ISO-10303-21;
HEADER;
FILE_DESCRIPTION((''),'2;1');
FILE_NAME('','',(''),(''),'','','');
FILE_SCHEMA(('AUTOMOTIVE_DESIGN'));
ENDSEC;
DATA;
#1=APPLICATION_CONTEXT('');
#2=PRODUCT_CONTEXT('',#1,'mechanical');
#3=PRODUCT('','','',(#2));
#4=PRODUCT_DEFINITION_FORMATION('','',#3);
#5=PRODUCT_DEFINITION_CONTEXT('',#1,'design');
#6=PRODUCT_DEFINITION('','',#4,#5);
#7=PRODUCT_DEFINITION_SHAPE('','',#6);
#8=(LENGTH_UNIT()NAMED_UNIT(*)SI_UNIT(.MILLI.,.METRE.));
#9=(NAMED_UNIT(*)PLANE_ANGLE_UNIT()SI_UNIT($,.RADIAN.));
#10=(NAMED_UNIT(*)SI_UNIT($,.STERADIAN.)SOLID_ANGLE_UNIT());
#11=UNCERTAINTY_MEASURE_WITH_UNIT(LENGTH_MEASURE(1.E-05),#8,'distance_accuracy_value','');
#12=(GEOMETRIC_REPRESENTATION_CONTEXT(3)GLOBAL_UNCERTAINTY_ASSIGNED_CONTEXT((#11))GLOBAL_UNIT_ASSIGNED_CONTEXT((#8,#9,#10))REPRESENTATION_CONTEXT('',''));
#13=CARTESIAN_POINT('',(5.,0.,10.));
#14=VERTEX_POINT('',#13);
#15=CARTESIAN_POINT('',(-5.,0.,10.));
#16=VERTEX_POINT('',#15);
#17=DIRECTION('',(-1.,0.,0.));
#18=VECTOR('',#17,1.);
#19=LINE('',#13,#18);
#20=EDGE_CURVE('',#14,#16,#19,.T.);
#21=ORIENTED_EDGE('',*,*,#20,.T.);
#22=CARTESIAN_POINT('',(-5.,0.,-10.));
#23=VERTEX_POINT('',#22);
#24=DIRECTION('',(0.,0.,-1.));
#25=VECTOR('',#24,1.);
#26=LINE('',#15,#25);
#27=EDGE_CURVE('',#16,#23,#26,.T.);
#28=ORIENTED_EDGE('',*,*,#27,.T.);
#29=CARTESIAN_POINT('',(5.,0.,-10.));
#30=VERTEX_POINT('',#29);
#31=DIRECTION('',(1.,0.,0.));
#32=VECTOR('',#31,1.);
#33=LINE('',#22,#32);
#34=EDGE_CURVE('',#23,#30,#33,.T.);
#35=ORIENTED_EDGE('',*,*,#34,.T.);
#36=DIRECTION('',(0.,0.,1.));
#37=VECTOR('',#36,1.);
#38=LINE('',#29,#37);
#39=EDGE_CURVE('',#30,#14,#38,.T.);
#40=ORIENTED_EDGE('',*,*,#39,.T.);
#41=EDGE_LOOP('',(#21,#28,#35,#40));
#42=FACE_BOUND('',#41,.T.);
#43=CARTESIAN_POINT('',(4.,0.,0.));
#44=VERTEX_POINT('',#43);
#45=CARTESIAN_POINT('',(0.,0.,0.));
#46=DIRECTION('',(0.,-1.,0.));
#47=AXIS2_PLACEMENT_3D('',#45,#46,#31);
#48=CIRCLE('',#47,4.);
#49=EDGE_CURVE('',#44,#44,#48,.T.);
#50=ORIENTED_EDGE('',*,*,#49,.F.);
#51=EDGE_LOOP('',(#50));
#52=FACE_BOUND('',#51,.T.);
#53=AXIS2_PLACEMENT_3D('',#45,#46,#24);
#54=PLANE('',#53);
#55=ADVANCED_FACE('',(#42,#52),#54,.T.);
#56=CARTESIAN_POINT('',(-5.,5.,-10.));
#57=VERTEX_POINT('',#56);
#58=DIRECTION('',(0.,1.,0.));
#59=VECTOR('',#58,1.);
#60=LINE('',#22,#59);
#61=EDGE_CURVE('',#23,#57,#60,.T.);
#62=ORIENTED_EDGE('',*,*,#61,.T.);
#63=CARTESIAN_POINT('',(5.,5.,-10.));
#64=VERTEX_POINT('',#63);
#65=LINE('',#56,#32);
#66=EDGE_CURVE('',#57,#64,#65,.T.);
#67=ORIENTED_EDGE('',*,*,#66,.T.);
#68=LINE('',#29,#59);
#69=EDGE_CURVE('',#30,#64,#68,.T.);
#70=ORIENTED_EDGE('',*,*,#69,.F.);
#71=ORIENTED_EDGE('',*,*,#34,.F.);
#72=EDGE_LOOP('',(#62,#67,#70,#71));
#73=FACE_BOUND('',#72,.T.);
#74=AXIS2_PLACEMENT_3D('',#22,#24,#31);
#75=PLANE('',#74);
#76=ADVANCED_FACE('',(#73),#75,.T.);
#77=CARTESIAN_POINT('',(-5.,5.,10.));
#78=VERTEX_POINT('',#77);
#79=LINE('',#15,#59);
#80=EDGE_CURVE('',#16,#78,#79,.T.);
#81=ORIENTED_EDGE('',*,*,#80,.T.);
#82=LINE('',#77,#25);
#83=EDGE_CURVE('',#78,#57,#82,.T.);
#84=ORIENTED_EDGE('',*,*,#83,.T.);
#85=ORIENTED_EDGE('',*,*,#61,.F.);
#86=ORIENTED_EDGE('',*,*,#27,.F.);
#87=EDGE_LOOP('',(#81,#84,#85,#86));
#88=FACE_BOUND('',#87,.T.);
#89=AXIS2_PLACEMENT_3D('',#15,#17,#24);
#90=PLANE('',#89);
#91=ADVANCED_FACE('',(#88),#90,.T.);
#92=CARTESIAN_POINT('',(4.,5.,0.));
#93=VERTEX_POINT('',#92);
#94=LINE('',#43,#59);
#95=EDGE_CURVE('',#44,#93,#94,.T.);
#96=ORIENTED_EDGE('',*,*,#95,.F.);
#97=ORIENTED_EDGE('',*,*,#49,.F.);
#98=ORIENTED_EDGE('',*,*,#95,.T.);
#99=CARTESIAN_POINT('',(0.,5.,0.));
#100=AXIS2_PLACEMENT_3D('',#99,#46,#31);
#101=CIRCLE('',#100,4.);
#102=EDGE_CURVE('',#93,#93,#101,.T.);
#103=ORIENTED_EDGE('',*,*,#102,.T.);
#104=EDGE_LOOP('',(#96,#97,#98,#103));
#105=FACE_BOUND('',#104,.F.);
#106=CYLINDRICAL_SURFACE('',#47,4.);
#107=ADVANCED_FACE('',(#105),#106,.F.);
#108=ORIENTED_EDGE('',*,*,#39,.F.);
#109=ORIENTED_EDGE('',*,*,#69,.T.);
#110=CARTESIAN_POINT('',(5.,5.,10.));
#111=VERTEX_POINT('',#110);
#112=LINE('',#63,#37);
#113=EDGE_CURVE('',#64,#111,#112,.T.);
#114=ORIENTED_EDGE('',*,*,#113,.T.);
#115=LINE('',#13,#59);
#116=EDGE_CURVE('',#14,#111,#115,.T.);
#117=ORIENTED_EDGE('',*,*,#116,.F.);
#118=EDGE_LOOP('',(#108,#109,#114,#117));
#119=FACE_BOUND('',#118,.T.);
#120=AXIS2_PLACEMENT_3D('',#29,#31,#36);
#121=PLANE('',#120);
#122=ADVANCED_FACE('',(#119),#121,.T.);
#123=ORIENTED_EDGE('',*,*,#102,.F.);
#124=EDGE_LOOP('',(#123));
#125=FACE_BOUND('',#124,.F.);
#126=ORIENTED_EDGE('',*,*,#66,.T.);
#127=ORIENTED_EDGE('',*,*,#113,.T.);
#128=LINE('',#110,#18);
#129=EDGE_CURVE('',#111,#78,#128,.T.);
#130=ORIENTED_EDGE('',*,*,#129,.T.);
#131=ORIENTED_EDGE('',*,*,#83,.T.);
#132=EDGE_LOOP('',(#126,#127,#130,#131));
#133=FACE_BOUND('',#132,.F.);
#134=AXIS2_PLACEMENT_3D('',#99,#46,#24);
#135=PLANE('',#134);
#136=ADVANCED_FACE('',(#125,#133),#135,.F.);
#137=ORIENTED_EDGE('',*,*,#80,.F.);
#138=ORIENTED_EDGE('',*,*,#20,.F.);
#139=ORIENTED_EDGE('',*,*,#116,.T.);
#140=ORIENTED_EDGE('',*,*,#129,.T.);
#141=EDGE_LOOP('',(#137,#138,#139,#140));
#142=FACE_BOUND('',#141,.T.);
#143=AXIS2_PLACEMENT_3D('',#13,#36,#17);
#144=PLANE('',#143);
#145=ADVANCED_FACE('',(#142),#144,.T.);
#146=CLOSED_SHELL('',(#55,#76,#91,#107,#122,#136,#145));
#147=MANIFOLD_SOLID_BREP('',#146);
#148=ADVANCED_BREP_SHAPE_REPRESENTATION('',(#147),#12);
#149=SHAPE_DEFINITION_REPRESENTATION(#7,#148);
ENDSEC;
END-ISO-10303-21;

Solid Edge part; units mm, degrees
sketch "Sketch1" plane through (0, 0, 0) normal (0, -1, 0) x (1, 0, 0)
  circle A0 centre (0, 0) radius 4
  line L0 (5, 10) -> (-5, 10)
  line L1 (-5, 10) -> (-5, -10)
  line L2 (-5, -10) -> (5, -10)
  line L3 (5, -10) -> (5, 10)
extrude "Protrusion1" add sketch "Sketch1" against normal blind 5
